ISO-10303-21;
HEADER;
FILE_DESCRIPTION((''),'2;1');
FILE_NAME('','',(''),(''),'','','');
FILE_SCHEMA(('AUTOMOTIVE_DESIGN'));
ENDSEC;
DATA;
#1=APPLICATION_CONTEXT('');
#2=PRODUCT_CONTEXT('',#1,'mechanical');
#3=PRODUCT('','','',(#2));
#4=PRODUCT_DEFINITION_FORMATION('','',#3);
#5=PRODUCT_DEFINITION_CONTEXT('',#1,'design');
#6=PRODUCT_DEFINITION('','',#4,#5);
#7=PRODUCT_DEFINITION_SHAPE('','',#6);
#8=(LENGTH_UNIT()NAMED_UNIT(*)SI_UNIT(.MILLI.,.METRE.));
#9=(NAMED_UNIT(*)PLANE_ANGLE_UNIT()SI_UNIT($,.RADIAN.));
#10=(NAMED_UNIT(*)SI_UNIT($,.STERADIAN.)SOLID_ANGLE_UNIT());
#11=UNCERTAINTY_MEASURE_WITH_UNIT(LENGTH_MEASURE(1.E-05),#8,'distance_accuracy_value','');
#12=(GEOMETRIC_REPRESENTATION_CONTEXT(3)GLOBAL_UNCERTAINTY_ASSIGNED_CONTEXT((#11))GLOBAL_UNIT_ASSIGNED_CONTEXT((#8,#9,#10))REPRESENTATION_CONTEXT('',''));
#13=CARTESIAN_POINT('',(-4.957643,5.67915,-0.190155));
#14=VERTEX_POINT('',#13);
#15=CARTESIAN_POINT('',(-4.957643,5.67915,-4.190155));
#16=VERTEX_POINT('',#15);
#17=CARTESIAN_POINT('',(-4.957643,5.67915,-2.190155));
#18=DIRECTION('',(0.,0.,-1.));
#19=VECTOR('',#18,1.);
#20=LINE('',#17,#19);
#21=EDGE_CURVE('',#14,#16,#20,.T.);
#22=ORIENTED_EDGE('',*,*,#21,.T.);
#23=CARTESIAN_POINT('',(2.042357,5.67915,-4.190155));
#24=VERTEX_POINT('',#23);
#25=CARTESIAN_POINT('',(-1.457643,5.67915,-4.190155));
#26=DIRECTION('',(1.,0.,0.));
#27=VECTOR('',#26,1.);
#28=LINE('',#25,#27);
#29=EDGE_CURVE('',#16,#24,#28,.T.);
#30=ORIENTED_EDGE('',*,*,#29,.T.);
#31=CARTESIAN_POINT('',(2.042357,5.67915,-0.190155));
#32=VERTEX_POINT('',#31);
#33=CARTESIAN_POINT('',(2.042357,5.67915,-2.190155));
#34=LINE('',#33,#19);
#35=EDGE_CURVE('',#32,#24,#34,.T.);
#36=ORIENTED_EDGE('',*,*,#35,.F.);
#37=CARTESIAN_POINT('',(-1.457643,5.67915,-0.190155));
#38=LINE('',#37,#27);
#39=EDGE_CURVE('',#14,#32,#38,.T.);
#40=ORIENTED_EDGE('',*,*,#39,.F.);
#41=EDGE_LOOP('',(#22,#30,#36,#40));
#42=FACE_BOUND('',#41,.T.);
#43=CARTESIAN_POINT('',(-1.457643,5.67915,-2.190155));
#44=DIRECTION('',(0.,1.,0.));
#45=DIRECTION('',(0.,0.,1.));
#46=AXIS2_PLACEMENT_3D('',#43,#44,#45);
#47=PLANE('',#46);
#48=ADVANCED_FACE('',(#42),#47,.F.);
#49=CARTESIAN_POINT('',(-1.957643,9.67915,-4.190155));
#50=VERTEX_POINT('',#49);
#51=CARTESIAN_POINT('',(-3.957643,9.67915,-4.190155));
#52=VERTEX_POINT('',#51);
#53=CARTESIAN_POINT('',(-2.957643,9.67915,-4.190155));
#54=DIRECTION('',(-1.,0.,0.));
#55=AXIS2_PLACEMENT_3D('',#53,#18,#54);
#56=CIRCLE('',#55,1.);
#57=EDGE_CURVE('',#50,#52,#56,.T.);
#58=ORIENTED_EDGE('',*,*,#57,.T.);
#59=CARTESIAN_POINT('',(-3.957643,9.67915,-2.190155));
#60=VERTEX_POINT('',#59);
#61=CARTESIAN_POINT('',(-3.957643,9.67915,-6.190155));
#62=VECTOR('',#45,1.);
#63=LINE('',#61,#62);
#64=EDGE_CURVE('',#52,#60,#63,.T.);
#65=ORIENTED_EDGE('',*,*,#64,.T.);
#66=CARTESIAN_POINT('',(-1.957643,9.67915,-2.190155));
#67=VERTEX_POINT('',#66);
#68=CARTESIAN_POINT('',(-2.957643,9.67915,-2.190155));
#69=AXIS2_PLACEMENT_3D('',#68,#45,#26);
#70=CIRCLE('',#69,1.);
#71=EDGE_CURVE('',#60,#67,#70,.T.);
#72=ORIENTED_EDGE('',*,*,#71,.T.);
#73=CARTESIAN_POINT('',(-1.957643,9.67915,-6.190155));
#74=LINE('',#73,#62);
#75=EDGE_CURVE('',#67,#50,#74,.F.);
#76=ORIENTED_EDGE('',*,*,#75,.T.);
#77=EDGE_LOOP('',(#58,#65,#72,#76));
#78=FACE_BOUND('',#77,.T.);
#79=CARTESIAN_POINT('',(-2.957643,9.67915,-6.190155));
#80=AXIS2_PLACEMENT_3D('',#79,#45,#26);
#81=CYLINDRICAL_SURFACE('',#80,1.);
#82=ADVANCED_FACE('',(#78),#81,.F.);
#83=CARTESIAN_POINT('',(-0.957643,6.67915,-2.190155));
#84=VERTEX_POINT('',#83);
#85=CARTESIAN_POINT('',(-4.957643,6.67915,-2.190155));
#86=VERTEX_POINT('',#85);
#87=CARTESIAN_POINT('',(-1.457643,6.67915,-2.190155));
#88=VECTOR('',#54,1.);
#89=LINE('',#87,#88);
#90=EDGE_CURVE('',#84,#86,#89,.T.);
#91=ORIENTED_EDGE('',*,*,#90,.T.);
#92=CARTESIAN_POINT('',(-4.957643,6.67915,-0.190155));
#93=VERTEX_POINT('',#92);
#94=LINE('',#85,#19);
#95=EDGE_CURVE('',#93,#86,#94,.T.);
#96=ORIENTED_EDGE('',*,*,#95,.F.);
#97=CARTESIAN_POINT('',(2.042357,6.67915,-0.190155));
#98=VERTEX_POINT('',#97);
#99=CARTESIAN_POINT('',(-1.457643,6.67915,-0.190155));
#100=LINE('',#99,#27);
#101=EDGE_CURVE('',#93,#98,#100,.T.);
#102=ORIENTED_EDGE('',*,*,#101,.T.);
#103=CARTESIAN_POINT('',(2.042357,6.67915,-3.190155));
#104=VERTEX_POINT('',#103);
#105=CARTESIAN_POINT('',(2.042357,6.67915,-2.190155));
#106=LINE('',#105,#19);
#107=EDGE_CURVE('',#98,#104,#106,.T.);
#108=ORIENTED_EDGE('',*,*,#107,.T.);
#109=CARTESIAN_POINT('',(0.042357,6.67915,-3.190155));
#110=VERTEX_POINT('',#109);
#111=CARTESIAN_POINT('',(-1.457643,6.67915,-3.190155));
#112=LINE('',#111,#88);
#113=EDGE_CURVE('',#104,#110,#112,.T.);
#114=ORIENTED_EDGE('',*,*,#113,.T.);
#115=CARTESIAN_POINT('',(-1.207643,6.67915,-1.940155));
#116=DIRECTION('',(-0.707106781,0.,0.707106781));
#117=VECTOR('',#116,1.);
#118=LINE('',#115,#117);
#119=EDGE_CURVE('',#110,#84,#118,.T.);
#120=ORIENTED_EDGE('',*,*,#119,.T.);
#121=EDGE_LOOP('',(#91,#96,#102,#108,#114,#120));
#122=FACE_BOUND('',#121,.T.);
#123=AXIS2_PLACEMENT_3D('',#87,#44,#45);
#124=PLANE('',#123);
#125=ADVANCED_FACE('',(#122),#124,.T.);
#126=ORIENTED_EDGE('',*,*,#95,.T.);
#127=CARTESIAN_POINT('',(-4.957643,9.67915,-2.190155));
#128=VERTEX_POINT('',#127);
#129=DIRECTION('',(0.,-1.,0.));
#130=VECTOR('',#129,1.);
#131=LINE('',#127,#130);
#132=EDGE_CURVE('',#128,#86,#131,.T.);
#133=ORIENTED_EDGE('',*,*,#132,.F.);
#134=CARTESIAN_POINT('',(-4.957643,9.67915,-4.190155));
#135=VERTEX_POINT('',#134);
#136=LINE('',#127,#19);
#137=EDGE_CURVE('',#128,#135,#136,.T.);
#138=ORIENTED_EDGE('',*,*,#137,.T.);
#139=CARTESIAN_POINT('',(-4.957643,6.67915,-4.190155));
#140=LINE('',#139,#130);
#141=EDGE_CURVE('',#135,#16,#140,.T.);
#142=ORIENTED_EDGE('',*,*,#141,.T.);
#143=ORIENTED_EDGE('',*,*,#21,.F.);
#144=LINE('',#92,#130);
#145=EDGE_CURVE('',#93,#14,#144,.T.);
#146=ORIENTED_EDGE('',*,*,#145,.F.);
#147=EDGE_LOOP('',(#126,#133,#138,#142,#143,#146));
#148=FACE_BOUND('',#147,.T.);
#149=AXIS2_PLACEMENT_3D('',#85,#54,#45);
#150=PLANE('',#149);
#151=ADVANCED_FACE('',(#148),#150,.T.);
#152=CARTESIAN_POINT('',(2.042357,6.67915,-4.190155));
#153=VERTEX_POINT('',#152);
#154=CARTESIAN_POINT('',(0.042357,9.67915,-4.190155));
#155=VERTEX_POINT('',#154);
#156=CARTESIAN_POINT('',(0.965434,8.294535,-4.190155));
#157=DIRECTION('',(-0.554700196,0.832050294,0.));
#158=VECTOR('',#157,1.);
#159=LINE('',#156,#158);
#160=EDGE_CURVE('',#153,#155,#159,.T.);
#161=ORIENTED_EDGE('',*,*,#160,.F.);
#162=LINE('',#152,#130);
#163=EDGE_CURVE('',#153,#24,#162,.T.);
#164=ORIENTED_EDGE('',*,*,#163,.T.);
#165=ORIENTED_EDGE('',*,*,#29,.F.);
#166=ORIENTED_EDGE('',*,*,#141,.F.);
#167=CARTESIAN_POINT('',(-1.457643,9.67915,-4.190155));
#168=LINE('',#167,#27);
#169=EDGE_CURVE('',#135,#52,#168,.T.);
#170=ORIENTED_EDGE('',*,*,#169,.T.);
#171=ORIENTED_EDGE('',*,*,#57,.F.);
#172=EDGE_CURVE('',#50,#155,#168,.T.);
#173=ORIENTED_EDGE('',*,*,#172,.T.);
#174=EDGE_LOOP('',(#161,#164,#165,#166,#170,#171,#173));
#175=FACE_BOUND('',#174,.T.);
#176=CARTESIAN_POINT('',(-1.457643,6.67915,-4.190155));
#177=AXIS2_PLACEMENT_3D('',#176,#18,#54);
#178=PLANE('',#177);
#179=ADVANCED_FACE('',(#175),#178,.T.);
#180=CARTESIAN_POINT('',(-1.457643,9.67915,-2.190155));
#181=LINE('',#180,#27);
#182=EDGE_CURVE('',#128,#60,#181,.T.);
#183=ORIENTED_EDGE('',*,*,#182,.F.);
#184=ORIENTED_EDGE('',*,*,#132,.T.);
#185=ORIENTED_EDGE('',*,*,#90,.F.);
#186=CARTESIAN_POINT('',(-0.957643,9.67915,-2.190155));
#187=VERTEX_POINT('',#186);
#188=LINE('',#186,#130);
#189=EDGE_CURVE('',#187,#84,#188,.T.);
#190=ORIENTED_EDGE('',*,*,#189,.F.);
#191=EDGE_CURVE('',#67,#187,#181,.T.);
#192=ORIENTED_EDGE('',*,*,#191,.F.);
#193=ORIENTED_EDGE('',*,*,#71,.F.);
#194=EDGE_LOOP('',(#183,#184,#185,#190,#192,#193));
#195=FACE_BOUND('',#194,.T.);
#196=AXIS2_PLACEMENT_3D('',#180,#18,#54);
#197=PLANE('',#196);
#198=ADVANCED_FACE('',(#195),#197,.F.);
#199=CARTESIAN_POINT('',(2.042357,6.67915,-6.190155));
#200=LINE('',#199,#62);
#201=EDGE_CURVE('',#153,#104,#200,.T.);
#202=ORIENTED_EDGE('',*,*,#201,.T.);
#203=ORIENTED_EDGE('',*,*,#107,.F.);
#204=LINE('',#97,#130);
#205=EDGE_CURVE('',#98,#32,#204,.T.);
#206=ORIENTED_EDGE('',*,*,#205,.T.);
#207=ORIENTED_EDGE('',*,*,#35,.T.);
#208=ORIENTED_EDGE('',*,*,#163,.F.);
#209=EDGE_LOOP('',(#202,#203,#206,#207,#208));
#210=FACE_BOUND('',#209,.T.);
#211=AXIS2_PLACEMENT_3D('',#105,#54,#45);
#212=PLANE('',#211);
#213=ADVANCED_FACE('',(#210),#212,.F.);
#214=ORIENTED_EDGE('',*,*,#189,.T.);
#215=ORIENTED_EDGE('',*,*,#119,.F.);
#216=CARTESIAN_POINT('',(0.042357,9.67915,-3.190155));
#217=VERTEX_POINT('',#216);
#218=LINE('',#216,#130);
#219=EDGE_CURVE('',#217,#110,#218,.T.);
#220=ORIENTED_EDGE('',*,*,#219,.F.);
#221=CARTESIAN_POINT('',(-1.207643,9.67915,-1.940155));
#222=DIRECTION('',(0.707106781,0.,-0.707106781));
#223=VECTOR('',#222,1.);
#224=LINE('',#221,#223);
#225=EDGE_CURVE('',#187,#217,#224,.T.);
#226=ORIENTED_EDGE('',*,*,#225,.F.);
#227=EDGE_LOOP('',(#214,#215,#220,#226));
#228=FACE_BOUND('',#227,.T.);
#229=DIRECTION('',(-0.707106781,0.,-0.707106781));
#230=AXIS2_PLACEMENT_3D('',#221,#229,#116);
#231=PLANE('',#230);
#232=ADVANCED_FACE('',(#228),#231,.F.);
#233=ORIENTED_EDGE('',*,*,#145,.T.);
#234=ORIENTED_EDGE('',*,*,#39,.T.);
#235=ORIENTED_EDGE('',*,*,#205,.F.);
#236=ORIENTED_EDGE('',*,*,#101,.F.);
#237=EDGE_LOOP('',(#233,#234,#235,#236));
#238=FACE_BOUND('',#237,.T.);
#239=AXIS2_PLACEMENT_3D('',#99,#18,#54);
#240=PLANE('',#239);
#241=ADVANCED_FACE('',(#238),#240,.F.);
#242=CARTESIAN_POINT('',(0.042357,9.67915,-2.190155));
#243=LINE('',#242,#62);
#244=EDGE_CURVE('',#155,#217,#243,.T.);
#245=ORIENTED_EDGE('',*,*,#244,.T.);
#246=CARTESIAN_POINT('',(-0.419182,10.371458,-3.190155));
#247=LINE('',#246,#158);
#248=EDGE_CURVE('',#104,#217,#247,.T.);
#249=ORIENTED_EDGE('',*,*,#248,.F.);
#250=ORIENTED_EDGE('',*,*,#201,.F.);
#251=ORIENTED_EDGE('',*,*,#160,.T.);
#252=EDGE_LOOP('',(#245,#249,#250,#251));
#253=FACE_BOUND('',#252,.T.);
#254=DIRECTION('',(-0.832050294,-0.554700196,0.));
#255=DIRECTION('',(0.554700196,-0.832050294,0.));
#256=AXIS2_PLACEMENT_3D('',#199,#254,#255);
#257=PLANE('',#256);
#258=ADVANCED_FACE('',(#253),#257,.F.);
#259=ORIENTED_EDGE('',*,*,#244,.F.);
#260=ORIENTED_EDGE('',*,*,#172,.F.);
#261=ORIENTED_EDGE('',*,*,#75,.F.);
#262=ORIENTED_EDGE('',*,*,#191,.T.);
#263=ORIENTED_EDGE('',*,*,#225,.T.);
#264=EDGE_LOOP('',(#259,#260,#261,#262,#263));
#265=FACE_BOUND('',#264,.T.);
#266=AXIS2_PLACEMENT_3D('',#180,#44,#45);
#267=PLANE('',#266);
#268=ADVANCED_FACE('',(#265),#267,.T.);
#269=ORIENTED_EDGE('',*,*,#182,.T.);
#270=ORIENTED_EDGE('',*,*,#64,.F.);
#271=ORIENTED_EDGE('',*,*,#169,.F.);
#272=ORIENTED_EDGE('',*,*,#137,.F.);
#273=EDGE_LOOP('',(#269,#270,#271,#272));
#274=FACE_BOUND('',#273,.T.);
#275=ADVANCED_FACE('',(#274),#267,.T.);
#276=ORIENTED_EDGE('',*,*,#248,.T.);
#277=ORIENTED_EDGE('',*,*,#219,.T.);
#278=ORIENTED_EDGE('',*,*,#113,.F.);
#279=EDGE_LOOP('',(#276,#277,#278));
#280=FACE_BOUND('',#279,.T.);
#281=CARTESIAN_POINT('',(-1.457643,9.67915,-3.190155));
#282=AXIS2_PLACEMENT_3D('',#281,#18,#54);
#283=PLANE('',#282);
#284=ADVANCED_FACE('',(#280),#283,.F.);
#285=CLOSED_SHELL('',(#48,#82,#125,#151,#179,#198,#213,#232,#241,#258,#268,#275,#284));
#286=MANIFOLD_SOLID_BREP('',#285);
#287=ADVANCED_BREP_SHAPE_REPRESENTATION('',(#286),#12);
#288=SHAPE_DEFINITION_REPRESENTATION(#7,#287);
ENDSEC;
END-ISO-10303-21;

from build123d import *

# Parameters (mm, degrees)
SKETCH_1_W          = 35
SKETCH_1_H          = 20
EXTRUDE_1_DEPTH     = 5
EXTRUDE_2_DEPTH     = 20
CUT_EXTRUDE_1_DEPTH = 20
SCALE_1_SCALE       = 0.2


with BuildPart() as part:
    # 草圖1 → 填料-伸長1 (new body)
    with BuildSketch(Plane(origin=(0, 0, 0), x_dir=(1, 0, 0), z_dir=(0, 1, 0))):
        Rectangle(SKETCH_1_W, SKETCH_1_H)
    extrude(amount=EXTRUDE_1_DEPTH)

    # 草圖1<3> → 填料-伸長2 (add)
    with BuildSketch(Plane(origin=(0, 0, 0), x_dir=(1, 0, 0), z_dir=(0, 1, 0))):
        Polygon((2.5, 0), (7.5, 5), (17.5, 5), (17.5, 10), (-17.5, 10), (-17.5, 0), align=None)
    extrude(amount=EXTRUDE_2_DEPTH)

    # 草圖2 → 除料-伸長1 (cut)
    with BuildSketch(Plane.XY):
        with BuildLine():
            Line((-12.5, 20), (-2.5, 20))
            ThreePointArc((-2.5, 20), (-7.5, 15), (-12.5, 20))
        make_face()
        Polygon((17.5, 5), (7.5, 20), (17.5, 20), align=None)
    extrude(amount=-CUT_EXTRUDE_1_DEPTH, mode=Mode.SUBTRACT)


with BuildPart() as part_1:
    # 縮放比例1: scaled about (-1.822053886, 7.09893754, -2.737693345)
    add(part.part.scale(SCALE_1_SCALE).moved(Location((-1.457643109, 5.679150032, -2.190154676))))


solid = part_1.part
